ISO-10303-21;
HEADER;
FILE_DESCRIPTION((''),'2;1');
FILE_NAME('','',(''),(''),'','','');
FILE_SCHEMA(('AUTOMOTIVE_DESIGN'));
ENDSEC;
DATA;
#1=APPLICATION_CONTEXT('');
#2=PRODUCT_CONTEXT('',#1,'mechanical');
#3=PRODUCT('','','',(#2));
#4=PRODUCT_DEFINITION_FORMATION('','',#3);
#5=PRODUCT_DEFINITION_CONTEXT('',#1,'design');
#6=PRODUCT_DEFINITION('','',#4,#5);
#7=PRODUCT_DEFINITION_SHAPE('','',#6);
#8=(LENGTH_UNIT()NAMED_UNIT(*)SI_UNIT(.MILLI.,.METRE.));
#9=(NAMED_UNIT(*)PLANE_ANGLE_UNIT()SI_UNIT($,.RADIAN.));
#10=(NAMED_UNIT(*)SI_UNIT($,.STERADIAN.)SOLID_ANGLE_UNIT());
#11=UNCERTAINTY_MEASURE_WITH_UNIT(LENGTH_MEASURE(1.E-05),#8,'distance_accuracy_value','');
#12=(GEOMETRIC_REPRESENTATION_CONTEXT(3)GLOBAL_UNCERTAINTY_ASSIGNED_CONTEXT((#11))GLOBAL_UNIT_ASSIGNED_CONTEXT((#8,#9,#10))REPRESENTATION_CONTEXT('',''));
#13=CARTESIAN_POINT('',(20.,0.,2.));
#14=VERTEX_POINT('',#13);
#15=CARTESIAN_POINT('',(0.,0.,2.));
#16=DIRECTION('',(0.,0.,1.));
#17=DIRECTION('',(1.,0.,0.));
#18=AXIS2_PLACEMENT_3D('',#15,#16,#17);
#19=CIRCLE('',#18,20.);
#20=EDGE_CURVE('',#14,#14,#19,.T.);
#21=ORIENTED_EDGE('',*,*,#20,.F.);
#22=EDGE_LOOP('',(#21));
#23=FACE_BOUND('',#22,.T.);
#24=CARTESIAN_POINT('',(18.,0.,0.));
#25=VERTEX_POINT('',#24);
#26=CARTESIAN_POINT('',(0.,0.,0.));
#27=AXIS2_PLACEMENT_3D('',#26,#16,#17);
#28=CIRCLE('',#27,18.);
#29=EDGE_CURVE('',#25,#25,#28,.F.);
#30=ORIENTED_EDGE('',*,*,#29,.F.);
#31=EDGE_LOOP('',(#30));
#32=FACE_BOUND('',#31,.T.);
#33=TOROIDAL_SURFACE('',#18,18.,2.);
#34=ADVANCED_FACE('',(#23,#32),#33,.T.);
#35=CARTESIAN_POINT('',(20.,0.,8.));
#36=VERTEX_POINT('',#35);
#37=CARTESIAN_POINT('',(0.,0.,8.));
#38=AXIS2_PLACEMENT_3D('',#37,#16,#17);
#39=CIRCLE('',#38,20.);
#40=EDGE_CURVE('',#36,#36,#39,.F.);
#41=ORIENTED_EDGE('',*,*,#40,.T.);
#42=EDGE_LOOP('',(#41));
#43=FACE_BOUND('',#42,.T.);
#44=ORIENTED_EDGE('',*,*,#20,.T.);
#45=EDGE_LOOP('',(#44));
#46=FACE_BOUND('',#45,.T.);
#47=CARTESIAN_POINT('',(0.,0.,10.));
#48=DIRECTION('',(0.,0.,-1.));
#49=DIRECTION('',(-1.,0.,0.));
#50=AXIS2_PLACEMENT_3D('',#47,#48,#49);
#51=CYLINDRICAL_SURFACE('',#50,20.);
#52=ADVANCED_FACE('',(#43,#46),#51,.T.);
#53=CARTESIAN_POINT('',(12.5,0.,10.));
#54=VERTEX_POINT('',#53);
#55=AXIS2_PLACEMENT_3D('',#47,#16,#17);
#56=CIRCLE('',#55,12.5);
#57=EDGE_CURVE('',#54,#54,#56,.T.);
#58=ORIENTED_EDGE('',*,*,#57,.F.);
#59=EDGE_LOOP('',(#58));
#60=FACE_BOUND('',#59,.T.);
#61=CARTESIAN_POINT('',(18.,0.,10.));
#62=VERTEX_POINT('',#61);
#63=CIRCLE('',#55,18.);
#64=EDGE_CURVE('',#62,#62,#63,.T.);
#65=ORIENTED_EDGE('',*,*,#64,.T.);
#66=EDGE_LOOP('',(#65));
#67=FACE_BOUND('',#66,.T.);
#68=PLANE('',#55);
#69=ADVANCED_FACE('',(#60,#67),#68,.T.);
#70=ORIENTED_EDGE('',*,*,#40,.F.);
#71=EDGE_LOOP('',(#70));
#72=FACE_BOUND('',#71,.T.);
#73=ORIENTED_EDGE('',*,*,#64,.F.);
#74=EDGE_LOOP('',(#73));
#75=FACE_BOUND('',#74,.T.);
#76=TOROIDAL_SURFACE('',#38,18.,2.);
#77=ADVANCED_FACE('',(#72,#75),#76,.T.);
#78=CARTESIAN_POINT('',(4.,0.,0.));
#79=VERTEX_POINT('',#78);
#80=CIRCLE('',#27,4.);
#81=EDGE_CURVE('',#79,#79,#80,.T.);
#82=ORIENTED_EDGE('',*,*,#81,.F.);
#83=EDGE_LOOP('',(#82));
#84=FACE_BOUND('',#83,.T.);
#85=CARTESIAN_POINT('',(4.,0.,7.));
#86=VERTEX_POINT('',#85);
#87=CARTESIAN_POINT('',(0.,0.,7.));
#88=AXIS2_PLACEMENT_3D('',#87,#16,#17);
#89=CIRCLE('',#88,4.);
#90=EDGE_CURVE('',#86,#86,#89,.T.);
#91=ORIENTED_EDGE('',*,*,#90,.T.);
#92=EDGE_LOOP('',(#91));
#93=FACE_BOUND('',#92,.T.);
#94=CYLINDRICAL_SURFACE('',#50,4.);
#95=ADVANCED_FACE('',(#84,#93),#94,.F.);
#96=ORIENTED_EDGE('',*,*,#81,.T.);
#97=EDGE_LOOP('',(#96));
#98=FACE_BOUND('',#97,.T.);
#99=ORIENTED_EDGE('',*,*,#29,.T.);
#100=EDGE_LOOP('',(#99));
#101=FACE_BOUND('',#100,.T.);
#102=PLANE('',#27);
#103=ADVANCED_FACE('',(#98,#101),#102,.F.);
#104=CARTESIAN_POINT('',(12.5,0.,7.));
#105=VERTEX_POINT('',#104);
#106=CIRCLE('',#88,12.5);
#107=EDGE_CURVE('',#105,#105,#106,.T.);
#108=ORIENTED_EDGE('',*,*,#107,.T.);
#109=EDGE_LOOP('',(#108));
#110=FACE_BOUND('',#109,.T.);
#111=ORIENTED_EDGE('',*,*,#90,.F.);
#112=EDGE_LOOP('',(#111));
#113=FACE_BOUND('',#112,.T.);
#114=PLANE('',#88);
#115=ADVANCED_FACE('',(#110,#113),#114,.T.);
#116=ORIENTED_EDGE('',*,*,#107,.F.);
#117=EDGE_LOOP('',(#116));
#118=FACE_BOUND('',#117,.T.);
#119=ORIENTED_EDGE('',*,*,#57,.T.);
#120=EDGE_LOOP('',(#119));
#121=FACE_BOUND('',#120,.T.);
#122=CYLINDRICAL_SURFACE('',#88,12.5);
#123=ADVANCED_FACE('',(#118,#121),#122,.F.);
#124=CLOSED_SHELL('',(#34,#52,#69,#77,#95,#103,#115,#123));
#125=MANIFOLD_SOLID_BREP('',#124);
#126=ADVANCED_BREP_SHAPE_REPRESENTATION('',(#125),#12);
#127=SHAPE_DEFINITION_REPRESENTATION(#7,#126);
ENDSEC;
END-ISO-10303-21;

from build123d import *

# Parameters (mm, degrees)
SKETCH1_R           = 20
SKETCH1_R_2         = 4
BOSS_EXTRUDE1_DEPTH = 10
SKETCH2_R           = 12.5
CUT_EXTRUDE1_DEPTH  = 3
FILLET1_R           = 2


with BuildPart() as part:
    # Sketch1 → Boss-Extrude1 (new body)
    with BuildSketch(Plane.XY):
        Circle(SKETCH1_R)
        Circle(SKETCH1_R_2, mode=Mode.SUBTRACT)
    extrude(amount=BOSS_EXTRUDE1_DEPTH)

    # Sketch2 → Cut-Extrude1 (cut)
    with BuildSketch(Plane.XY.offset(10)):
        Circle(SKETCH2_R)
    extrude(amount=-CUT_EXTRUDE1_DEPTH, mode=Mode.SUBTRACT)

    # Fillet1
    fillet1_edges = [part.edges().sort_by_distance(p)[0] for p in [
        (-20, 0, 0),
        (-20, 0, 10),
    ]]
    fillet(fillet1_edges, radius=FILLET1_R)


solid = part.part
